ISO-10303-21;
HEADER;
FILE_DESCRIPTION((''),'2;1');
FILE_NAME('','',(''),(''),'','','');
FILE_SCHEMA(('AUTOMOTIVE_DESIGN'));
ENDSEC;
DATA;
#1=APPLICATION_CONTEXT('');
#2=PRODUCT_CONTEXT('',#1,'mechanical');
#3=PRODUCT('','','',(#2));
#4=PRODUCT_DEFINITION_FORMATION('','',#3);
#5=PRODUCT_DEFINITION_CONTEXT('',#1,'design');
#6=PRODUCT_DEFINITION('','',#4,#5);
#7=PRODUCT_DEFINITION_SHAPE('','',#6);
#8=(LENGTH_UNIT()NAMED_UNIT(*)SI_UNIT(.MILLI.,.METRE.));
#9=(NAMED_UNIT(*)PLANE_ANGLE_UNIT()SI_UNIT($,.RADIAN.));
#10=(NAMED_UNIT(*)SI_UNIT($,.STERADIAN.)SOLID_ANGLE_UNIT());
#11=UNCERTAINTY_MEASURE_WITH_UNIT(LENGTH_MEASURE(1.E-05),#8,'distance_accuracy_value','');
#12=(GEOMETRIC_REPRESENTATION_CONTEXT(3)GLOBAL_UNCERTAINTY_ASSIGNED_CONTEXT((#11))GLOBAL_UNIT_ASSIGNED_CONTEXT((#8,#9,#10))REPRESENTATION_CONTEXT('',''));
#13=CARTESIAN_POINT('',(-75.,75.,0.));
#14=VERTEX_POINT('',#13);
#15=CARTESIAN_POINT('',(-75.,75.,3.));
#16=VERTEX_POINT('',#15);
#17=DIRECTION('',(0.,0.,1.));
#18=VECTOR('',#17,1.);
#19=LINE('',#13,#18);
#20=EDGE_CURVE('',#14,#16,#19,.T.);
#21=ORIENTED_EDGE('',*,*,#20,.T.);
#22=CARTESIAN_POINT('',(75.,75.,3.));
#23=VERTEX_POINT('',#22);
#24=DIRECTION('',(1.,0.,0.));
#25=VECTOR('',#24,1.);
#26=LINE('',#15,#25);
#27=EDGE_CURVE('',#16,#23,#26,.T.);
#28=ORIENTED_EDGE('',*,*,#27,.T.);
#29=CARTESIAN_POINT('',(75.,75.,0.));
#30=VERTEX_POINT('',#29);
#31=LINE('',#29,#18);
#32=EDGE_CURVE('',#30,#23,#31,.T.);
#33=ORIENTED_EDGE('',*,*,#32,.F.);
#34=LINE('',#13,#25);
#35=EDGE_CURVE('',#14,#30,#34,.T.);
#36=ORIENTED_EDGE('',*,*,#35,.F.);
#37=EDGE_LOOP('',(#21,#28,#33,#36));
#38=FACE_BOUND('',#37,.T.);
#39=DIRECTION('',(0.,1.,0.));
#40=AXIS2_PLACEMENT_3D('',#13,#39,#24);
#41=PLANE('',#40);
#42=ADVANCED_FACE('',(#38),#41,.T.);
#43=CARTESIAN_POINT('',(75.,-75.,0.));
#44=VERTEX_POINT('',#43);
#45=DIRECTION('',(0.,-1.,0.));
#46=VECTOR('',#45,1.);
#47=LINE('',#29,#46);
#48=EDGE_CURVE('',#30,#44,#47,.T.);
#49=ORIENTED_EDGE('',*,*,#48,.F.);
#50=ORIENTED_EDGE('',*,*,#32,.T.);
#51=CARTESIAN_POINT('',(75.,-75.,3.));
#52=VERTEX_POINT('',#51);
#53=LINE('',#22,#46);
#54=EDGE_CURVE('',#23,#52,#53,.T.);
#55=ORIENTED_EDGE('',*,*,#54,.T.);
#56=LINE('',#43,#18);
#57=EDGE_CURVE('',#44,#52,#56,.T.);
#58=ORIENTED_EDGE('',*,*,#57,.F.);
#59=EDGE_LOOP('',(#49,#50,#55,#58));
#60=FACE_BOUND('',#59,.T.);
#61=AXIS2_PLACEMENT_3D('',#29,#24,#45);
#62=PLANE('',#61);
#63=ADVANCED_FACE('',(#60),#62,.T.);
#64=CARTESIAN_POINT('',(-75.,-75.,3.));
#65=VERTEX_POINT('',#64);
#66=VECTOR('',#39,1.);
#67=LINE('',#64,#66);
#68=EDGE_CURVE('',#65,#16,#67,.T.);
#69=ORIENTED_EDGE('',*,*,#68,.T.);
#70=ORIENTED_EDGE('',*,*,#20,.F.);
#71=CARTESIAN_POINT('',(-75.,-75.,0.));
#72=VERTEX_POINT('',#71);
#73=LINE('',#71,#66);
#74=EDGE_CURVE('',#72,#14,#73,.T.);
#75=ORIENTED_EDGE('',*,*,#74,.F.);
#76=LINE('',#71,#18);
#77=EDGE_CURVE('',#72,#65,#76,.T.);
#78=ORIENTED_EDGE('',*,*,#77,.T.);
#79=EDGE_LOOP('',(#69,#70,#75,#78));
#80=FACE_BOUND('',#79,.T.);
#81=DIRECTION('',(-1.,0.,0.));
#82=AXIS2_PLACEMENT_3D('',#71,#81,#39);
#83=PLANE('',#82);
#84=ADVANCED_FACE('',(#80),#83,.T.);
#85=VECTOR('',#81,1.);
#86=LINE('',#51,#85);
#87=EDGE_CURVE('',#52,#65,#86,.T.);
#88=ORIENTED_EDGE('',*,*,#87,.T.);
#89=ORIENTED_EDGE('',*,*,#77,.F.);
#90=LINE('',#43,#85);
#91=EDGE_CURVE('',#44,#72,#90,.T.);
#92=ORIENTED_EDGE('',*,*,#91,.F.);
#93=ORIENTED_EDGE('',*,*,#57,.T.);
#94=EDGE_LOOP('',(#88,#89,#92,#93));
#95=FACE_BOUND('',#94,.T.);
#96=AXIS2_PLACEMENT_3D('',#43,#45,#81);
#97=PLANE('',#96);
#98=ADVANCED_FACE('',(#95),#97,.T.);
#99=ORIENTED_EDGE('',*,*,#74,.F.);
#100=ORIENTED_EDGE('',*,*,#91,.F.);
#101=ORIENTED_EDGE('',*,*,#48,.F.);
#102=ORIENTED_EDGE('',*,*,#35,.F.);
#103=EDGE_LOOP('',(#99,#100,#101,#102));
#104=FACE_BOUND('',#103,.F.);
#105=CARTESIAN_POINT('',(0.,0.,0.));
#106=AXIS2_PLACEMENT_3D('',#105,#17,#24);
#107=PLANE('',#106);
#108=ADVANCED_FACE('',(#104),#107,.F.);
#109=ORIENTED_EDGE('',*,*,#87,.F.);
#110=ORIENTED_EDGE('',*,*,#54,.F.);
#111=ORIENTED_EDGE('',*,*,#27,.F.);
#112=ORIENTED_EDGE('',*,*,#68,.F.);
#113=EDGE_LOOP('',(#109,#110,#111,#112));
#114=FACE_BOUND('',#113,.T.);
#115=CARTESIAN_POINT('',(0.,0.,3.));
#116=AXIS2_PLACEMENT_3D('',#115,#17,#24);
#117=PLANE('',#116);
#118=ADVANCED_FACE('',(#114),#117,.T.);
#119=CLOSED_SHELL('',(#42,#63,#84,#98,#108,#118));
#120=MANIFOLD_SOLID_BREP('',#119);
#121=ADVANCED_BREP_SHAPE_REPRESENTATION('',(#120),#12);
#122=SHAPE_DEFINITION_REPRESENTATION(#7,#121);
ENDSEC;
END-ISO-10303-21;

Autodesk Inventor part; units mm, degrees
ref_plane "YZ Plane" through (0, 0, 0) normal (1, 0, 0) x (0, 1, 0)
ref_plane "XZ Plane" through (0, 0, 0) normal (0, 1, 0) x (-1, 0, 0)
ref_plane "XY Plane" through (0, 0, 0) normal (0, 0, 1) x (1, 0, 0)
sketch "스케치1" plane through (0, 0, 0) normal (0, 0, 1) x (1, 0, 0)
  line L0 (-75, 75) -> (75, 75)
  line L1 (75, 75) -> (75, -75)
  line L2 (75, -75) -> (-75, -75)
  line L3 (-75, -75) -> (-75, 75)
  line L4 (-75, 75) -> (75, -75) construction
  line L5 (75, 75) -> (-75, -75) construction
  point P0 (0, 0)
  dimension "d0" = 150
  dimension "d1" = 150
extrude "돌출1" add sketch "스케치1" along normal blind 3
properties part number "아크릴"
